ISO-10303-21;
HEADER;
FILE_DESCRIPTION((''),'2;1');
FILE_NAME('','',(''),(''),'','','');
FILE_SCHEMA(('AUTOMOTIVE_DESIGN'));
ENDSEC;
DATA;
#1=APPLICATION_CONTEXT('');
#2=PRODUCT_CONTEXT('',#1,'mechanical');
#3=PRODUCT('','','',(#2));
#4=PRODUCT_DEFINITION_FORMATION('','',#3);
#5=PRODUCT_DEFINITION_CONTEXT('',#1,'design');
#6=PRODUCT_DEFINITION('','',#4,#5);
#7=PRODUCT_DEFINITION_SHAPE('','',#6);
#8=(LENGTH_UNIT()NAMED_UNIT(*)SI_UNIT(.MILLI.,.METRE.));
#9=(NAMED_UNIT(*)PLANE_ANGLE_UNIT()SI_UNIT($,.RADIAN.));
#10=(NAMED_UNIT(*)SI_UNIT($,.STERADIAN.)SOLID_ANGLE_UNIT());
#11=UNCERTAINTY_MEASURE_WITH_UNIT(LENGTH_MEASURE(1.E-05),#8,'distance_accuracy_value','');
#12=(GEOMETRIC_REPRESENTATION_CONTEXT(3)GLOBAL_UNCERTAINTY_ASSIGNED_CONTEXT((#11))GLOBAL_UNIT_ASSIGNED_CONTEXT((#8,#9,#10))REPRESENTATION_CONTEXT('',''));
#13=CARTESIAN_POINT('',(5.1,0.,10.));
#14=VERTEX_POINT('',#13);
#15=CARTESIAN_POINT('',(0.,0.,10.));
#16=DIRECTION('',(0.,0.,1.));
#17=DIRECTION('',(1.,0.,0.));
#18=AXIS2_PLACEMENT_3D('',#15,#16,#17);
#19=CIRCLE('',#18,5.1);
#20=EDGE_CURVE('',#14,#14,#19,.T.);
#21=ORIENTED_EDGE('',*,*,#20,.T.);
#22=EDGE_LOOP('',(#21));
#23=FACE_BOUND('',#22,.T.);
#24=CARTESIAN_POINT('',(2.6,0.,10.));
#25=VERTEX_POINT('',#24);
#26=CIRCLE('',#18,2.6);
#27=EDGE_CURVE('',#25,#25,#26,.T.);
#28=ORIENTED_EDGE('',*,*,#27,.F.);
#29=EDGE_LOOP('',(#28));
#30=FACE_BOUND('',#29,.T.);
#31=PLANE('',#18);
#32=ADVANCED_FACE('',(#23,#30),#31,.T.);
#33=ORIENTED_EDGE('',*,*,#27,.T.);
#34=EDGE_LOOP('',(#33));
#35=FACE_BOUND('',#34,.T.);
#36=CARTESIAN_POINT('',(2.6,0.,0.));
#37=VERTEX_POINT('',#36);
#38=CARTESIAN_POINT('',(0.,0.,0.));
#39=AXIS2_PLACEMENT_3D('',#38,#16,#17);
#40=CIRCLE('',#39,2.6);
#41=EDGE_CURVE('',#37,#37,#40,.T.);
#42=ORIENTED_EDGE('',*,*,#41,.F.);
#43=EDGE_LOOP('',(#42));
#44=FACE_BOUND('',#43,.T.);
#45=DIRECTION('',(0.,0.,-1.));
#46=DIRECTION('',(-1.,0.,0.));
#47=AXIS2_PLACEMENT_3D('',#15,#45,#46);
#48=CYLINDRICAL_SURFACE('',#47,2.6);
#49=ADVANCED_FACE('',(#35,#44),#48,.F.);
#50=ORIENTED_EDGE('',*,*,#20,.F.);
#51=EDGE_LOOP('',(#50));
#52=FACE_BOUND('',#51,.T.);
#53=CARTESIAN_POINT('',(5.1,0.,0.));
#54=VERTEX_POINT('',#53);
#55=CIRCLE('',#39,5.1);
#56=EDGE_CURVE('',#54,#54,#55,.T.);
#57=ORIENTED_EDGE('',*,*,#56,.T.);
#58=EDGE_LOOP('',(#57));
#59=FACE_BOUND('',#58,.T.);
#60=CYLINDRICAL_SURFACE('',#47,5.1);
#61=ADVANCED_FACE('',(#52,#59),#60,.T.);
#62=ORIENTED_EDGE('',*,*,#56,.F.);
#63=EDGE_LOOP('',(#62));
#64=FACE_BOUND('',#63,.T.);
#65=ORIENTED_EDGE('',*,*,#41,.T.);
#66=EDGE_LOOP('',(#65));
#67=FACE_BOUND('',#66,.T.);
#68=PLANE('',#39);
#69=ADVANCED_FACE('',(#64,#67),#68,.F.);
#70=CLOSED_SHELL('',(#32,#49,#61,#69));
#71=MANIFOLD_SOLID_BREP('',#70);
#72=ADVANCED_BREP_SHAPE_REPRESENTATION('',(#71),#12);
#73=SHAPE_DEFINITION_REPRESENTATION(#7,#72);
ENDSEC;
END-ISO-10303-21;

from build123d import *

# Parameters (mm, degrees)
CROQUIS1_R              = 5.1
CROQUIS1_R_2            = 2.6
SALIENTE_EXTRUIR1_DEPTH = 10


with BuildPart() as part:
    # Croquis1 → Saliente-Extruir1 (new body)
    with BuildSketch(Plane.XY):
        Circle(CROQUIS1_R)
        Circle(CROQUIS1_R_2, mode=Mode.SUBTRACT)
    extrude(amount=SALIENTE_EXTRUIR1_DEPTH)


solid = part.part
